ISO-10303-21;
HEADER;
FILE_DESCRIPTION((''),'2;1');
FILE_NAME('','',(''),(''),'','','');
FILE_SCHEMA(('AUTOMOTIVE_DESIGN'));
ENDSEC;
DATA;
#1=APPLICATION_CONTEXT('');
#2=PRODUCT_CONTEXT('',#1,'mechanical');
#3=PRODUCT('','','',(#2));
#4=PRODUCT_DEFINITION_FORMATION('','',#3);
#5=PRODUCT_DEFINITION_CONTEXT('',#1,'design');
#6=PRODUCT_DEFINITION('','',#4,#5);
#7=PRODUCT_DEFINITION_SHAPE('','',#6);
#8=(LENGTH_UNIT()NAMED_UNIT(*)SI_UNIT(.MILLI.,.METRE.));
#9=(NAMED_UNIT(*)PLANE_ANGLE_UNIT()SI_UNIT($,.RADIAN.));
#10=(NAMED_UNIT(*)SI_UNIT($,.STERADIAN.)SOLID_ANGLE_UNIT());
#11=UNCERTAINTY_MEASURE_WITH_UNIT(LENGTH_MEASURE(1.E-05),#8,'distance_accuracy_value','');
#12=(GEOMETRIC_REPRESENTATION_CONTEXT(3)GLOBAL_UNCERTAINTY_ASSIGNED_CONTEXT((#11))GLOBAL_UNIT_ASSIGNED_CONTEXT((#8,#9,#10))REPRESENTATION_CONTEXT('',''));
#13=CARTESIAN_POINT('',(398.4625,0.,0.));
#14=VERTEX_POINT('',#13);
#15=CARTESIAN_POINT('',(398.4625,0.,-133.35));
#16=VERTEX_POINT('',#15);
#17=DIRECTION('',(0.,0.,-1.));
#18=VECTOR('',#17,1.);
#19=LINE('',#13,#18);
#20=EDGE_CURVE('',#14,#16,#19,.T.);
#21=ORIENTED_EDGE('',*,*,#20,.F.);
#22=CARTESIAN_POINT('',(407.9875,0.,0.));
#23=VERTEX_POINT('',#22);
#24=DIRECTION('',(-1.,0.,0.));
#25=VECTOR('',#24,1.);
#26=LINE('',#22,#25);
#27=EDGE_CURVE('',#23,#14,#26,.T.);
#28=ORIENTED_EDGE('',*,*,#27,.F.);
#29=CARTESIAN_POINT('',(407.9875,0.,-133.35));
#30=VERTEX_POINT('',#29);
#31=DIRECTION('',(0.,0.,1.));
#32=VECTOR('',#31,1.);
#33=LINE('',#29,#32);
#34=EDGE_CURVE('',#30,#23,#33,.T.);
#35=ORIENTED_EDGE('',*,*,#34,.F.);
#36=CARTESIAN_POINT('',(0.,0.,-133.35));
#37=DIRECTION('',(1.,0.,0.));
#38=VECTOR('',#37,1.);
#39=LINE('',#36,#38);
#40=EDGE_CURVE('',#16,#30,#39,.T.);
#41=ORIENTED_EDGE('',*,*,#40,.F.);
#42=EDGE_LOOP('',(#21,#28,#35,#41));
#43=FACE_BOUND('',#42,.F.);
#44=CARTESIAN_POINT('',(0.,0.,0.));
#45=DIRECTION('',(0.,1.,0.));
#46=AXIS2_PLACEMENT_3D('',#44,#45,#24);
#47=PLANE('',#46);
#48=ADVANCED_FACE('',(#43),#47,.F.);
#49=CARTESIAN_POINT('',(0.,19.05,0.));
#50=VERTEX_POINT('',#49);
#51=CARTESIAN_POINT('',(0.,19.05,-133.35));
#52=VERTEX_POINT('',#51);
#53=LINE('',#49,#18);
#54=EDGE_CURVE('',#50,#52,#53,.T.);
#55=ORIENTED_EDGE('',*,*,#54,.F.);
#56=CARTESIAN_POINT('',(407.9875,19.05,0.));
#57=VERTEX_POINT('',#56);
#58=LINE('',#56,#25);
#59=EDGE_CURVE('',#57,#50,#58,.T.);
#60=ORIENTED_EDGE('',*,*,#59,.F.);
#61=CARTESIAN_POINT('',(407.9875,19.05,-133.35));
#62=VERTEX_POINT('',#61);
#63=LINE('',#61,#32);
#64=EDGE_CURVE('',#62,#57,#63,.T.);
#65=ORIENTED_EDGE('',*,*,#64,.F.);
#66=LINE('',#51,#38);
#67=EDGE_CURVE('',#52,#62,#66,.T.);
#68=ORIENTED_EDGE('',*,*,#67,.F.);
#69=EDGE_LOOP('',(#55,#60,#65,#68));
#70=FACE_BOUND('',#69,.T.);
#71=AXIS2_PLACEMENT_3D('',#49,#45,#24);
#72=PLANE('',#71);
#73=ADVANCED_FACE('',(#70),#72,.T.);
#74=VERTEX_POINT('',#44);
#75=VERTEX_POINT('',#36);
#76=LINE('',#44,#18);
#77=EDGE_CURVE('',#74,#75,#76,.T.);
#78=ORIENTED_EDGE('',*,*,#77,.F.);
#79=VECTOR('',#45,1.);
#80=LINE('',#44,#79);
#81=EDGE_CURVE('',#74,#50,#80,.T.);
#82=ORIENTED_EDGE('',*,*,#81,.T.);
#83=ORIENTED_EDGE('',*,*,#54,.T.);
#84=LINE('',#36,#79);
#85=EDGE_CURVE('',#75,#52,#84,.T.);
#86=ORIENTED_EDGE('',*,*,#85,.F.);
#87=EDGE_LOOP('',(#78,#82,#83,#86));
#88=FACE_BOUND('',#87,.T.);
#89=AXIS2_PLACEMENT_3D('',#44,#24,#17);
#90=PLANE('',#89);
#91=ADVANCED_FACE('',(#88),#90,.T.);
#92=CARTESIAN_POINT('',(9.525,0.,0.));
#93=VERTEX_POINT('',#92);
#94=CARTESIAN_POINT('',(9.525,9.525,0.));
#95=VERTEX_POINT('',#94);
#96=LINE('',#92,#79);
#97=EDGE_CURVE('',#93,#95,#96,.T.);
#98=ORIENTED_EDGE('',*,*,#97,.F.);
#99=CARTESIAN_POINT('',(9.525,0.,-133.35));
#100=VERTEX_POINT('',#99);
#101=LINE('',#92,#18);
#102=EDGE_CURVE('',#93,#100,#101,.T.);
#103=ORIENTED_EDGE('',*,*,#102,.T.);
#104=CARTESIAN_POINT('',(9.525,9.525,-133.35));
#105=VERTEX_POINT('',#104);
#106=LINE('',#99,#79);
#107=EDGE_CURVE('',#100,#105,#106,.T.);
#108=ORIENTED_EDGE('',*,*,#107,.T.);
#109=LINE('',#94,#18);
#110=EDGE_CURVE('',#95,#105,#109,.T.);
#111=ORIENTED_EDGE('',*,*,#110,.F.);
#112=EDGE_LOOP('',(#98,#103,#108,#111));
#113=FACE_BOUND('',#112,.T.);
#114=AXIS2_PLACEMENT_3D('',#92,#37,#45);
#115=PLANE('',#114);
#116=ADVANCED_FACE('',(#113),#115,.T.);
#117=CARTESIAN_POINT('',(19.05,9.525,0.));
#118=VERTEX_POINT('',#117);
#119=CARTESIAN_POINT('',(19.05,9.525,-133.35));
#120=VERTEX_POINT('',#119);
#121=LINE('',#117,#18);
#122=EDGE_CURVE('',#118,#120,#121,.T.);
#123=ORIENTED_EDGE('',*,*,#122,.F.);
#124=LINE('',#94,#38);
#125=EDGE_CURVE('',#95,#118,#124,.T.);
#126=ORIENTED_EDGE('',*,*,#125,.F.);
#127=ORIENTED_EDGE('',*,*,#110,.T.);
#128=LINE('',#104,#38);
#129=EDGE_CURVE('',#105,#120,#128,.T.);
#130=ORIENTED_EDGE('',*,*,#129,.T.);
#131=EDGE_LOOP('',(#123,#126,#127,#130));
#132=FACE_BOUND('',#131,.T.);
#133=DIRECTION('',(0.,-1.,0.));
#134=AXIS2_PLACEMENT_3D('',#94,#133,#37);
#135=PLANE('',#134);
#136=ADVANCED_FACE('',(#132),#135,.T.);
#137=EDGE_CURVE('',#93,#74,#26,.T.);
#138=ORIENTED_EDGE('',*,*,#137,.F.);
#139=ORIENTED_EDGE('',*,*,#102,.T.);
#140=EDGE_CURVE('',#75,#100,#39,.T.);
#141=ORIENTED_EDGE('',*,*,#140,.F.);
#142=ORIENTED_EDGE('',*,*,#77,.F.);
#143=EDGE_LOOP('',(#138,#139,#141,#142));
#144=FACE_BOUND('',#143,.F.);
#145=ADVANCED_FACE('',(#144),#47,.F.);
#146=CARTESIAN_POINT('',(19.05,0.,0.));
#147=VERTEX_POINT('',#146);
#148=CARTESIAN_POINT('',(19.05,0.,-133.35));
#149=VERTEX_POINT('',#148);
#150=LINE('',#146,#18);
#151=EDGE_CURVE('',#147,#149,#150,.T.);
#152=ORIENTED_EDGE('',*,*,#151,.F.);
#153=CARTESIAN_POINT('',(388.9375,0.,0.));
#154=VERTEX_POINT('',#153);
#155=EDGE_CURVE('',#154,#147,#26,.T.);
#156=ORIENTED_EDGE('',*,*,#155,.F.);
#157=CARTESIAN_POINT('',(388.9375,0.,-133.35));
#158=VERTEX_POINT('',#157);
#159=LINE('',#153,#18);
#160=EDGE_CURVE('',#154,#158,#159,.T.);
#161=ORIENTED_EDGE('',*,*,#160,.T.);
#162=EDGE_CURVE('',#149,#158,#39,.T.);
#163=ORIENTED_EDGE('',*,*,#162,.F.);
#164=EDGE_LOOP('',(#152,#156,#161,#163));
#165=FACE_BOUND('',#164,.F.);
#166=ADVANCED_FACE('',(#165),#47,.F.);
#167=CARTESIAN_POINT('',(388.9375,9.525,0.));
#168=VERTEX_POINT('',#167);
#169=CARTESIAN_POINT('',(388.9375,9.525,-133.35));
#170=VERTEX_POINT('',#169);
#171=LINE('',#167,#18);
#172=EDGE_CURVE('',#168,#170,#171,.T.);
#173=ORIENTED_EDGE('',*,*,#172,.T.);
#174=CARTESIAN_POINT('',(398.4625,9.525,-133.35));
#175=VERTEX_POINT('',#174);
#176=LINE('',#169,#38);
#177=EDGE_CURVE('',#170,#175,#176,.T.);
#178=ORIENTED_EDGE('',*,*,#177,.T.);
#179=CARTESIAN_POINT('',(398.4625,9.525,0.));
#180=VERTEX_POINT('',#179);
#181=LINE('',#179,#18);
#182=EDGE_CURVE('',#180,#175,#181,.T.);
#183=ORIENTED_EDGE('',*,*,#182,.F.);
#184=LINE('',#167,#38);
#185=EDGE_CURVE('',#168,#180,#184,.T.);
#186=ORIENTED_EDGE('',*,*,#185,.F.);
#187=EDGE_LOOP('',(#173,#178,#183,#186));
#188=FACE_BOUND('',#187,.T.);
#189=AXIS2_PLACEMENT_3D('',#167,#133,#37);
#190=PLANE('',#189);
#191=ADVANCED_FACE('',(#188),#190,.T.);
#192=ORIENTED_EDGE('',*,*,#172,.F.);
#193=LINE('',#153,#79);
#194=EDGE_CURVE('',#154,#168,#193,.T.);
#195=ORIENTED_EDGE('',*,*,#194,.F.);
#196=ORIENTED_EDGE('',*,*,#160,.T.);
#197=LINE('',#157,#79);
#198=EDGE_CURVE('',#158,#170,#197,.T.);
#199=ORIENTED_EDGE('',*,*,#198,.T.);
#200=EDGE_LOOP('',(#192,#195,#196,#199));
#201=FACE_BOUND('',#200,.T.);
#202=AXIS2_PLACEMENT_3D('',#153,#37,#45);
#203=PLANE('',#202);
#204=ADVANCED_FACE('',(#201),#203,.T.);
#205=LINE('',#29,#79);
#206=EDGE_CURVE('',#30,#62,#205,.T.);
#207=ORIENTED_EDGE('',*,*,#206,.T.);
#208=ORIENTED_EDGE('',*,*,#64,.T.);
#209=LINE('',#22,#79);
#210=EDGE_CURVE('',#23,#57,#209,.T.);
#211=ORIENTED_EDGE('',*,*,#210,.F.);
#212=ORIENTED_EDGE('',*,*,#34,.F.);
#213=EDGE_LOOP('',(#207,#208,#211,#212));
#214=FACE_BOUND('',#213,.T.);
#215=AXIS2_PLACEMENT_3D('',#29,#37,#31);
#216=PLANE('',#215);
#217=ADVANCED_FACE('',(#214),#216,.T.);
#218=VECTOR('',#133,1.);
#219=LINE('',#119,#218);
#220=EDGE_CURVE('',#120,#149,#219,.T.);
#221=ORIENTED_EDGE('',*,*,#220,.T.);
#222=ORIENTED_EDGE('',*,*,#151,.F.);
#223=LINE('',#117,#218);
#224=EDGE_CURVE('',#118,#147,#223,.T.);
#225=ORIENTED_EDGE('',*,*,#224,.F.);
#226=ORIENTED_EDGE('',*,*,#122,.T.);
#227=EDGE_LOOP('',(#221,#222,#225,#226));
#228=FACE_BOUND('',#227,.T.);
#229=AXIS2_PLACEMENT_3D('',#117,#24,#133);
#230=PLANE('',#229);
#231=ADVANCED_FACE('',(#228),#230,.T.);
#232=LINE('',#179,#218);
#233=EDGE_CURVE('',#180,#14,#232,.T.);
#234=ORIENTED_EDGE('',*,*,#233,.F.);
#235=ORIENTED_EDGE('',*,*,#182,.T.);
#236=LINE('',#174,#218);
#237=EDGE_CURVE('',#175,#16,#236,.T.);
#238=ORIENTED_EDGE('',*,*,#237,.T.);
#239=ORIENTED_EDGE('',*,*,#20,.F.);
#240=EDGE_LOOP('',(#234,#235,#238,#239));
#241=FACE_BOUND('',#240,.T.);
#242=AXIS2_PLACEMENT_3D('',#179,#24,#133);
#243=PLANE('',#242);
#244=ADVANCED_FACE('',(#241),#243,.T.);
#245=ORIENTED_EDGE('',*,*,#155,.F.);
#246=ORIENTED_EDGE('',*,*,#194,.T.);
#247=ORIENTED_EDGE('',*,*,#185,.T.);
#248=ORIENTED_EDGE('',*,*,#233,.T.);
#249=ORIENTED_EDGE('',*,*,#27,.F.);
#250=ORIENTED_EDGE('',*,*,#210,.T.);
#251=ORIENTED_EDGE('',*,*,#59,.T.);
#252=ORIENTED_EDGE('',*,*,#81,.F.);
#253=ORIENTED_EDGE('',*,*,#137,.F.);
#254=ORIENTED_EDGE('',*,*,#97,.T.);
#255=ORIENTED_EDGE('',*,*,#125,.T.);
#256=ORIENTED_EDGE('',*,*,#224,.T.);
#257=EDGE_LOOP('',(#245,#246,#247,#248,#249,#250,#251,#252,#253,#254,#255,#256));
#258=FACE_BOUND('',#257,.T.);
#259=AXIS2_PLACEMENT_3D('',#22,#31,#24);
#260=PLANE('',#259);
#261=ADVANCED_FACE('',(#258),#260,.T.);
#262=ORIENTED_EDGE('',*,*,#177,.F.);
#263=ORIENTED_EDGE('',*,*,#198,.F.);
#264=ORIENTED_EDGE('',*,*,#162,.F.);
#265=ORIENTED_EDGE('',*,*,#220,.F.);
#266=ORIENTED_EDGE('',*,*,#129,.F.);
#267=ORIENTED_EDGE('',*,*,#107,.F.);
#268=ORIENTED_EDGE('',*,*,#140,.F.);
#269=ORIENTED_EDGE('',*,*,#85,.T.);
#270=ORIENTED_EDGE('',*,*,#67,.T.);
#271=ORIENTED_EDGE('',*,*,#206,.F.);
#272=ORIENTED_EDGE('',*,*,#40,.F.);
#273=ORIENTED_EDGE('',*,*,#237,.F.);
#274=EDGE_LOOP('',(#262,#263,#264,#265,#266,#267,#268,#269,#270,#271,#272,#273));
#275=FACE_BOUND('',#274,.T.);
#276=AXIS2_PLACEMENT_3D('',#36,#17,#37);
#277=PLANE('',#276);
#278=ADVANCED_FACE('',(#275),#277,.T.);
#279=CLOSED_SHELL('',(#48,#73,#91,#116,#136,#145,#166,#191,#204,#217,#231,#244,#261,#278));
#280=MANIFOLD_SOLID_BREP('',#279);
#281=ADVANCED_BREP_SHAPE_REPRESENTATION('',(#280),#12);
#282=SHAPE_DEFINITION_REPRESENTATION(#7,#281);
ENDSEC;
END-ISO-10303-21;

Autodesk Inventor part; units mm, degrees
ref_plane "YZ Plane" through (0, 0, 0) normal (1, 0, 0) x (0, 1, 0)
ref_plane "XZ Plane" through (0, 0, 0) normal (0, 1, 0) x (-1, 0, 0)
ref_plane "XY Plane" through (0, 0, 0) normal (0, 0, 1) x (1, 0, 0)
sketch "Sketch1" plane through (0, 0, 0) normal (0, 1, 0) x (-1, 0, 0)
  line L0 (0, -133.35) -> (-407.9875, -133.35)
  line L1 (-407.9875, -133.35) -> (-407.9875, 0)
  line L2 (-407.9875, 0) -> (0, 0)
  line L3 (0, 0) -> (0, -133.35)
  dimension "d0" = 407.9875
  dimension "d1" = 133.35
extrude "Board" add sketch "Sketch1" along normal blind 19.05
sketch "Sketch2" plane through (0, 0, 0) normal (0, 0, 1) x (1, 0, 0)
  line L0 (19.05, 0) -> (9.525, 0)
  line L1 (9.525, 0) -> (9.525, 9.525)
  line L2 (9.525, 9.525) -> (19.05, 9.525)
  line L3 (19.05, 9.525) -> (19.05, 0)
  line L4 (0, 0) -> (0, 19.05) projected
  line L5 (407.9875, 0) -> (0, 0) projected
  line L6 (398.4625, 0) -> (388.9375, 0)
  line L7 (388.9375, 0) -> (388.9375, 9.525)
  line L8 (388.9375, 9.525) -> (398.4625, 9.525)
  line L9 (398.4625, 9.525) -> (398.4625, 0)
  line L10 (407.9875, 0) -> (407.9875, 19.05) projected
  dimension "d4" = 9.525
  dimension "d5" = 9.525
  dimension "d6" = 9.525
  dimension "d10" = 9.525
extrude "Dado" cut sketch "Sketch2" against normal blind 133.35
equation "\"d0\" = DoorWidth"
equation "\"d10\" = d6"
equation "\"d7\" = d1"
equation "\"DoorWidth\" = 407.9875"
properties part number "Door top" material "Wood (Oak)"
